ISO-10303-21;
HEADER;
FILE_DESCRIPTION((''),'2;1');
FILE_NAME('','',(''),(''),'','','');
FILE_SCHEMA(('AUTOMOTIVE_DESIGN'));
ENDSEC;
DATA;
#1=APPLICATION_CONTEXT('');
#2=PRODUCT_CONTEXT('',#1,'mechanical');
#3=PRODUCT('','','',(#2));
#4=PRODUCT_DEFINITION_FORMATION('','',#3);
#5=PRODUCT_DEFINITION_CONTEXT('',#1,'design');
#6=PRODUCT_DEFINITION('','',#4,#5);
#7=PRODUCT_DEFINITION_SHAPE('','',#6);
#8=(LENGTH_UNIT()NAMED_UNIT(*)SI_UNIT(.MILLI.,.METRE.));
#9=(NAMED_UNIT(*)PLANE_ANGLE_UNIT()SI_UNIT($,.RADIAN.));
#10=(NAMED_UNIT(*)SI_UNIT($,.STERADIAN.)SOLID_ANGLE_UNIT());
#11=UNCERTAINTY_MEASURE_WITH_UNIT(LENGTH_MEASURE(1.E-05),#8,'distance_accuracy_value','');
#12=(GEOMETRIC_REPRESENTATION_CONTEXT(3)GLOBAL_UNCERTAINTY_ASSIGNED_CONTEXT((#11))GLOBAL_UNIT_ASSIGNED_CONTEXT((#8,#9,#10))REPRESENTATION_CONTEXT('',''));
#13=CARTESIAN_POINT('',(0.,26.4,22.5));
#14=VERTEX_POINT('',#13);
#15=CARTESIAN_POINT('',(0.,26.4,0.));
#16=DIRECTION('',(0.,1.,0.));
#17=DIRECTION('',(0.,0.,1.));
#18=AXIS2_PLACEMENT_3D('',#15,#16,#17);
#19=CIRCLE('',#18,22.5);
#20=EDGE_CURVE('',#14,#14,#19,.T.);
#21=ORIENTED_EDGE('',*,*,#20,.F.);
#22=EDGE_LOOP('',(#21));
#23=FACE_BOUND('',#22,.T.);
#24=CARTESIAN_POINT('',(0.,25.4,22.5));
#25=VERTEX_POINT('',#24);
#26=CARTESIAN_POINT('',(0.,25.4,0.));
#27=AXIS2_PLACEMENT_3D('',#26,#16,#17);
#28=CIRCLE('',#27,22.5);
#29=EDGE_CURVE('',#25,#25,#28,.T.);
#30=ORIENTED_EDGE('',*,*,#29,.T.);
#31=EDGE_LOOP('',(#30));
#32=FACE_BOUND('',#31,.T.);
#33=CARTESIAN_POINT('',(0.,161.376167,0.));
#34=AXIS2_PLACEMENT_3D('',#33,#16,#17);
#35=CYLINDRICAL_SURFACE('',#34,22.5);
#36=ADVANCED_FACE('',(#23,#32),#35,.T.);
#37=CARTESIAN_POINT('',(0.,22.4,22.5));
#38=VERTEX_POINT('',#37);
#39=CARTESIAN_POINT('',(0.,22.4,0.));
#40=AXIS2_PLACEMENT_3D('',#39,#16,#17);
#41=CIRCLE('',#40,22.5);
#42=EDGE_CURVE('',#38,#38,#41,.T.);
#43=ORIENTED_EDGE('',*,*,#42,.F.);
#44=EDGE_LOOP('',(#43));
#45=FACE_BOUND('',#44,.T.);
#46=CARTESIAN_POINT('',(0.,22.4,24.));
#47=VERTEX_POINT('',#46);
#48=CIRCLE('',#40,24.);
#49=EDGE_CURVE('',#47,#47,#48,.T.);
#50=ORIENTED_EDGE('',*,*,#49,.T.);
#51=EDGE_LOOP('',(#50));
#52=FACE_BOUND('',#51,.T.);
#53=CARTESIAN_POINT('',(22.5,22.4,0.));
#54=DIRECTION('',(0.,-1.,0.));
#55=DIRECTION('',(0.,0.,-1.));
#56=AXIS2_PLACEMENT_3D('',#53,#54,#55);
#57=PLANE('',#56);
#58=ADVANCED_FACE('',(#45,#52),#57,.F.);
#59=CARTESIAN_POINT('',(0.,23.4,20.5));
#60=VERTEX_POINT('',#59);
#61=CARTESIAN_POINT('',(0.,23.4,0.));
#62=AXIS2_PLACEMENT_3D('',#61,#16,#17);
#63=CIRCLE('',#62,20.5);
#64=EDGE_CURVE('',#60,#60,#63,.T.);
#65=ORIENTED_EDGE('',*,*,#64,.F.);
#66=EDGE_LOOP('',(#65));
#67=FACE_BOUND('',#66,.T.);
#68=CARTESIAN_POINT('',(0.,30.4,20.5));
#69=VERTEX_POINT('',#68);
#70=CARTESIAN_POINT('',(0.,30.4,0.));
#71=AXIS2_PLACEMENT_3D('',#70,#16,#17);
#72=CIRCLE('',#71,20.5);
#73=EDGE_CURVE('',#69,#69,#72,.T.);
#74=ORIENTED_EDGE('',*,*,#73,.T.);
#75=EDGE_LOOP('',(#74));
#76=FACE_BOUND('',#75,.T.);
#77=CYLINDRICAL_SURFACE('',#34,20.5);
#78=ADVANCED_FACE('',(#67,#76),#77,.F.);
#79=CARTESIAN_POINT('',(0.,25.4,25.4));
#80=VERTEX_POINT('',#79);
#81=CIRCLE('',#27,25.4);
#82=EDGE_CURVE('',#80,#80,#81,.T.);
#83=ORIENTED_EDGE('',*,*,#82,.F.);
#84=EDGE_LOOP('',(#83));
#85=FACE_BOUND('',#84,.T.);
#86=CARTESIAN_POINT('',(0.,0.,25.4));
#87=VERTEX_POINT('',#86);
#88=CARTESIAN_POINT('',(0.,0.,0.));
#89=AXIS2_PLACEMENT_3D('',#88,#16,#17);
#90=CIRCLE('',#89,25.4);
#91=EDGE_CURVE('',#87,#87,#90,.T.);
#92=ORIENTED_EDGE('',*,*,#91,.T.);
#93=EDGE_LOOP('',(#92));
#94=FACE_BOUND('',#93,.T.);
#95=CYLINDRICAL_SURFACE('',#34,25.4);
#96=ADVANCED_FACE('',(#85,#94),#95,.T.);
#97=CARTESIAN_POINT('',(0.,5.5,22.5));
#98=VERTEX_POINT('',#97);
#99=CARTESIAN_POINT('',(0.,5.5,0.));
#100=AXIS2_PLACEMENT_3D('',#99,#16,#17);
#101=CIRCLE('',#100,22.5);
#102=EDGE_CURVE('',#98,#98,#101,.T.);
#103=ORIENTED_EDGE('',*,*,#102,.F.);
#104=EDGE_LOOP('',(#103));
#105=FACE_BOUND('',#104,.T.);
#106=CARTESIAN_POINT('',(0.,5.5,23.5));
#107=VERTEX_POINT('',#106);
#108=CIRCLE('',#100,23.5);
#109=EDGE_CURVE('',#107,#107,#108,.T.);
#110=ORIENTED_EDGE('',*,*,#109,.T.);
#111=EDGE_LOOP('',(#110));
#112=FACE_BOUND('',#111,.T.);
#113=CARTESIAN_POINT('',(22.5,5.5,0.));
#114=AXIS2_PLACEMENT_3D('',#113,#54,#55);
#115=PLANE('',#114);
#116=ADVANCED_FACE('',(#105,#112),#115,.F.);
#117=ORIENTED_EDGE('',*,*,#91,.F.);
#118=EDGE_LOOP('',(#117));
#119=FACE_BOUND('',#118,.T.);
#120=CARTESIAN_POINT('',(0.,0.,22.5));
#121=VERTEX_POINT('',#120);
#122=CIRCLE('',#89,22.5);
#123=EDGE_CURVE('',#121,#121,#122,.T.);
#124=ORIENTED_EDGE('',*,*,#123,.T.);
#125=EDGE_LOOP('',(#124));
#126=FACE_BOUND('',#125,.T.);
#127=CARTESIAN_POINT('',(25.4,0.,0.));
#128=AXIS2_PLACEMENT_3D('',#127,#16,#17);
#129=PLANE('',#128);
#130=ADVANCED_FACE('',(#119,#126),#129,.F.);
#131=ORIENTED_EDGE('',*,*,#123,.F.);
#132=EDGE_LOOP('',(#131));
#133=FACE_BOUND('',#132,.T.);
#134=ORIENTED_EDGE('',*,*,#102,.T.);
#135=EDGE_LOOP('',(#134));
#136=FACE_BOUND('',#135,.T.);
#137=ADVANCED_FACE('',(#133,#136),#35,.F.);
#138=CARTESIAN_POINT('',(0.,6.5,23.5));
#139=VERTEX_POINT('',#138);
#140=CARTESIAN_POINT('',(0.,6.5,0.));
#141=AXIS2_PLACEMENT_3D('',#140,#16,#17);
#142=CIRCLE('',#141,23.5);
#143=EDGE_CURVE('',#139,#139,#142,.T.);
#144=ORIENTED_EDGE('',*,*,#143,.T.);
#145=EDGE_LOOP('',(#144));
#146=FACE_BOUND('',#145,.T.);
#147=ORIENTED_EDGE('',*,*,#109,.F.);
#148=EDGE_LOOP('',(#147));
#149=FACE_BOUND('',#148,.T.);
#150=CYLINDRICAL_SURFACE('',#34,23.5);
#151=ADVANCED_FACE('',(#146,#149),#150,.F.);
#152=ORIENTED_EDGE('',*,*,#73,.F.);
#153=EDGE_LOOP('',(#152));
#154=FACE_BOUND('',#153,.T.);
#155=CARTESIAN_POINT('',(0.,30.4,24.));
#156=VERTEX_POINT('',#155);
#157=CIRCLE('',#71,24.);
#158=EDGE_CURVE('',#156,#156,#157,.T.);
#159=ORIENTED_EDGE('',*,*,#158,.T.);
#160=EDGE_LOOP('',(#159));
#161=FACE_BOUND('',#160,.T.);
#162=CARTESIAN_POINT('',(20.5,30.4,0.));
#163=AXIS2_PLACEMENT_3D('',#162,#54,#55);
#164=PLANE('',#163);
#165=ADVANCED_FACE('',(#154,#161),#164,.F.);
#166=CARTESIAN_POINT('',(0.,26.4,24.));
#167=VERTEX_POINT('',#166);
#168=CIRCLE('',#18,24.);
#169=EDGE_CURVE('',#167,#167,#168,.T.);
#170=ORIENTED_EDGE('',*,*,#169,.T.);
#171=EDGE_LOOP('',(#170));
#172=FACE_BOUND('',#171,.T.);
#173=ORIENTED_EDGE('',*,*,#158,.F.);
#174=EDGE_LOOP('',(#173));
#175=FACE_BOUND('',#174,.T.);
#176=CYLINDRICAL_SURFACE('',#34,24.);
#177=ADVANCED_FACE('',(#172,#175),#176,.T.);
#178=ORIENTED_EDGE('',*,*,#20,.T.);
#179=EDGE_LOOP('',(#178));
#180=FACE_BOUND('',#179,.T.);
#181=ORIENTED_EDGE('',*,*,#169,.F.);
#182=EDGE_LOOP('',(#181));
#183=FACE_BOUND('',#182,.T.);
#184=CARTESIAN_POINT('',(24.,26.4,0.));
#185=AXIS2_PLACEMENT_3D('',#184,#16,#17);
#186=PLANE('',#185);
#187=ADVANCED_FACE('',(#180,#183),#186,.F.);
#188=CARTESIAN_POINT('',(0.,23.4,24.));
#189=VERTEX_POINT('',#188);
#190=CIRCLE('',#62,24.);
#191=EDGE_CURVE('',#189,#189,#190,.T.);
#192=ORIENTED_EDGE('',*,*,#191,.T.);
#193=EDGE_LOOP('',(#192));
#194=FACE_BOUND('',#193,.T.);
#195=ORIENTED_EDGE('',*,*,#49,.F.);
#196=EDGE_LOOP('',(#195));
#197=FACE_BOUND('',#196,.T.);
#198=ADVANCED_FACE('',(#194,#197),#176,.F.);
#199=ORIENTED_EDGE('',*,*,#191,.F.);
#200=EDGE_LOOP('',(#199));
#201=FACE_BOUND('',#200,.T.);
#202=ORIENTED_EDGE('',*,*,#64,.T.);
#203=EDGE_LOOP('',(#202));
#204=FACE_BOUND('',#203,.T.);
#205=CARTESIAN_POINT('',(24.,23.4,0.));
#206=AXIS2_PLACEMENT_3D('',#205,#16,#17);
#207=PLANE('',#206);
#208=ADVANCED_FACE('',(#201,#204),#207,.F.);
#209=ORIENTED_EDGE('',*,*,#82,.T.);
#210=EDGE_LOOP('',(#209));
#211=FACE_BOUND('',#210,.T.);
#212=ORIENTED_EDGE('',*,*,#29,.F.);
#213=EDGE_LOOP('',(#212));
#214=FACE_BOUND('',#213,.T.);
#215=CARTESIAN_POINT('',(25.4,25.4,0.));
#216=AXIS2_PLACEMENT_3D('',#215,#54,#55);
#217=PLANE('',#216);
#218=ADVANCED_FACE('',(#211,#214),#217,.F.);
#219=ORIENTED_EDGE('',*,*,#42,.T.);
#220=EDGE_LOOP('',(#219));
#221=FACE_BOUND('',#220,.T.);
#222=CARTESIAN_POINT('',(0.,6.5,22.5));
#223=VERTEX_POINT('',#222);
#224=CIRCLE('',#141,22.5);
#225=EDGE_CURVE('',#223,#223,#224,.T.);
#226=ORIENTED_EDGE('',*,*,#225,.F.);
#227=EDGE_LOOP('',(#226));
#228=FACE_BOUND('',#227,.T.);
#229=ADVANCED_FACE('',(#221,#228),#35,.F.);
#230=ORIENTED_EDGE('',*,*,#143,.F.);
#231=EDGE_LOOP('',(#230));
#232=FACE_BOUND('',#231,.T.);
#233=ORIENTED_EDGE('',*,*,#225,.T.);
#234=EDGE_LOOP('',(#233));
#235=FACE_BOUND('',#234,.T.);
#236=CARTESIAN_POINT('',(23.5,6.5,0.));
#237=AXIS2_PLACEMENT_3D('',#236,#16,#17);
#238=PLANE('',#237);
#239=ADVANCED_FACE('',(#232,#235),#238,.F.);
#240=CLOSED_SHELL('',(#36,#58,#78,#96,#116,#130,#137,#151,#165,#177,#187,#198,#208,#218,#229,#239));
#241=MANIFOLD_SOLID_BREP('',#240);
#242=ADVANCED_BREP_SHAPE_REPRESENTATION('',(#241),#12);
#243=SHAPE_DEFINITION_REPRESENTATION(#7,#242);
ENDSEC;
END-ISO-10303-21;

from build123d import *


with BuildPart() as part:
    # 草图1 → 旋转1 (revolve)
    with BuildSketch(Plane.XY, mode=Mode.PRIVATE) as revolve_1_sk:
        Polygon((22.5, 22.4), (24, 22.4), (24, 23.4), (20.5, 23.4), (20.5, 30.4), (24, 30.4), (24, 26.4), (22.5, 26.4), (22.5, 25.4), (23.5, 25.4), (25.4, 25.4), (25.4, 0), (22.5, 0), (22.5, 5.5), (23.5, 5.5), (23.5, 6.5), (22.5, 6.5), align=None)
    revolve(revolve_1_sk.sketch.rotate(Axis((0, 161.376166943, 0), (0, -1, 0)), 90), axis=Axis((0, 161.376166943, 0), (0, -1, 0)))  # turned: the seam where the file's is


solid = part.part
